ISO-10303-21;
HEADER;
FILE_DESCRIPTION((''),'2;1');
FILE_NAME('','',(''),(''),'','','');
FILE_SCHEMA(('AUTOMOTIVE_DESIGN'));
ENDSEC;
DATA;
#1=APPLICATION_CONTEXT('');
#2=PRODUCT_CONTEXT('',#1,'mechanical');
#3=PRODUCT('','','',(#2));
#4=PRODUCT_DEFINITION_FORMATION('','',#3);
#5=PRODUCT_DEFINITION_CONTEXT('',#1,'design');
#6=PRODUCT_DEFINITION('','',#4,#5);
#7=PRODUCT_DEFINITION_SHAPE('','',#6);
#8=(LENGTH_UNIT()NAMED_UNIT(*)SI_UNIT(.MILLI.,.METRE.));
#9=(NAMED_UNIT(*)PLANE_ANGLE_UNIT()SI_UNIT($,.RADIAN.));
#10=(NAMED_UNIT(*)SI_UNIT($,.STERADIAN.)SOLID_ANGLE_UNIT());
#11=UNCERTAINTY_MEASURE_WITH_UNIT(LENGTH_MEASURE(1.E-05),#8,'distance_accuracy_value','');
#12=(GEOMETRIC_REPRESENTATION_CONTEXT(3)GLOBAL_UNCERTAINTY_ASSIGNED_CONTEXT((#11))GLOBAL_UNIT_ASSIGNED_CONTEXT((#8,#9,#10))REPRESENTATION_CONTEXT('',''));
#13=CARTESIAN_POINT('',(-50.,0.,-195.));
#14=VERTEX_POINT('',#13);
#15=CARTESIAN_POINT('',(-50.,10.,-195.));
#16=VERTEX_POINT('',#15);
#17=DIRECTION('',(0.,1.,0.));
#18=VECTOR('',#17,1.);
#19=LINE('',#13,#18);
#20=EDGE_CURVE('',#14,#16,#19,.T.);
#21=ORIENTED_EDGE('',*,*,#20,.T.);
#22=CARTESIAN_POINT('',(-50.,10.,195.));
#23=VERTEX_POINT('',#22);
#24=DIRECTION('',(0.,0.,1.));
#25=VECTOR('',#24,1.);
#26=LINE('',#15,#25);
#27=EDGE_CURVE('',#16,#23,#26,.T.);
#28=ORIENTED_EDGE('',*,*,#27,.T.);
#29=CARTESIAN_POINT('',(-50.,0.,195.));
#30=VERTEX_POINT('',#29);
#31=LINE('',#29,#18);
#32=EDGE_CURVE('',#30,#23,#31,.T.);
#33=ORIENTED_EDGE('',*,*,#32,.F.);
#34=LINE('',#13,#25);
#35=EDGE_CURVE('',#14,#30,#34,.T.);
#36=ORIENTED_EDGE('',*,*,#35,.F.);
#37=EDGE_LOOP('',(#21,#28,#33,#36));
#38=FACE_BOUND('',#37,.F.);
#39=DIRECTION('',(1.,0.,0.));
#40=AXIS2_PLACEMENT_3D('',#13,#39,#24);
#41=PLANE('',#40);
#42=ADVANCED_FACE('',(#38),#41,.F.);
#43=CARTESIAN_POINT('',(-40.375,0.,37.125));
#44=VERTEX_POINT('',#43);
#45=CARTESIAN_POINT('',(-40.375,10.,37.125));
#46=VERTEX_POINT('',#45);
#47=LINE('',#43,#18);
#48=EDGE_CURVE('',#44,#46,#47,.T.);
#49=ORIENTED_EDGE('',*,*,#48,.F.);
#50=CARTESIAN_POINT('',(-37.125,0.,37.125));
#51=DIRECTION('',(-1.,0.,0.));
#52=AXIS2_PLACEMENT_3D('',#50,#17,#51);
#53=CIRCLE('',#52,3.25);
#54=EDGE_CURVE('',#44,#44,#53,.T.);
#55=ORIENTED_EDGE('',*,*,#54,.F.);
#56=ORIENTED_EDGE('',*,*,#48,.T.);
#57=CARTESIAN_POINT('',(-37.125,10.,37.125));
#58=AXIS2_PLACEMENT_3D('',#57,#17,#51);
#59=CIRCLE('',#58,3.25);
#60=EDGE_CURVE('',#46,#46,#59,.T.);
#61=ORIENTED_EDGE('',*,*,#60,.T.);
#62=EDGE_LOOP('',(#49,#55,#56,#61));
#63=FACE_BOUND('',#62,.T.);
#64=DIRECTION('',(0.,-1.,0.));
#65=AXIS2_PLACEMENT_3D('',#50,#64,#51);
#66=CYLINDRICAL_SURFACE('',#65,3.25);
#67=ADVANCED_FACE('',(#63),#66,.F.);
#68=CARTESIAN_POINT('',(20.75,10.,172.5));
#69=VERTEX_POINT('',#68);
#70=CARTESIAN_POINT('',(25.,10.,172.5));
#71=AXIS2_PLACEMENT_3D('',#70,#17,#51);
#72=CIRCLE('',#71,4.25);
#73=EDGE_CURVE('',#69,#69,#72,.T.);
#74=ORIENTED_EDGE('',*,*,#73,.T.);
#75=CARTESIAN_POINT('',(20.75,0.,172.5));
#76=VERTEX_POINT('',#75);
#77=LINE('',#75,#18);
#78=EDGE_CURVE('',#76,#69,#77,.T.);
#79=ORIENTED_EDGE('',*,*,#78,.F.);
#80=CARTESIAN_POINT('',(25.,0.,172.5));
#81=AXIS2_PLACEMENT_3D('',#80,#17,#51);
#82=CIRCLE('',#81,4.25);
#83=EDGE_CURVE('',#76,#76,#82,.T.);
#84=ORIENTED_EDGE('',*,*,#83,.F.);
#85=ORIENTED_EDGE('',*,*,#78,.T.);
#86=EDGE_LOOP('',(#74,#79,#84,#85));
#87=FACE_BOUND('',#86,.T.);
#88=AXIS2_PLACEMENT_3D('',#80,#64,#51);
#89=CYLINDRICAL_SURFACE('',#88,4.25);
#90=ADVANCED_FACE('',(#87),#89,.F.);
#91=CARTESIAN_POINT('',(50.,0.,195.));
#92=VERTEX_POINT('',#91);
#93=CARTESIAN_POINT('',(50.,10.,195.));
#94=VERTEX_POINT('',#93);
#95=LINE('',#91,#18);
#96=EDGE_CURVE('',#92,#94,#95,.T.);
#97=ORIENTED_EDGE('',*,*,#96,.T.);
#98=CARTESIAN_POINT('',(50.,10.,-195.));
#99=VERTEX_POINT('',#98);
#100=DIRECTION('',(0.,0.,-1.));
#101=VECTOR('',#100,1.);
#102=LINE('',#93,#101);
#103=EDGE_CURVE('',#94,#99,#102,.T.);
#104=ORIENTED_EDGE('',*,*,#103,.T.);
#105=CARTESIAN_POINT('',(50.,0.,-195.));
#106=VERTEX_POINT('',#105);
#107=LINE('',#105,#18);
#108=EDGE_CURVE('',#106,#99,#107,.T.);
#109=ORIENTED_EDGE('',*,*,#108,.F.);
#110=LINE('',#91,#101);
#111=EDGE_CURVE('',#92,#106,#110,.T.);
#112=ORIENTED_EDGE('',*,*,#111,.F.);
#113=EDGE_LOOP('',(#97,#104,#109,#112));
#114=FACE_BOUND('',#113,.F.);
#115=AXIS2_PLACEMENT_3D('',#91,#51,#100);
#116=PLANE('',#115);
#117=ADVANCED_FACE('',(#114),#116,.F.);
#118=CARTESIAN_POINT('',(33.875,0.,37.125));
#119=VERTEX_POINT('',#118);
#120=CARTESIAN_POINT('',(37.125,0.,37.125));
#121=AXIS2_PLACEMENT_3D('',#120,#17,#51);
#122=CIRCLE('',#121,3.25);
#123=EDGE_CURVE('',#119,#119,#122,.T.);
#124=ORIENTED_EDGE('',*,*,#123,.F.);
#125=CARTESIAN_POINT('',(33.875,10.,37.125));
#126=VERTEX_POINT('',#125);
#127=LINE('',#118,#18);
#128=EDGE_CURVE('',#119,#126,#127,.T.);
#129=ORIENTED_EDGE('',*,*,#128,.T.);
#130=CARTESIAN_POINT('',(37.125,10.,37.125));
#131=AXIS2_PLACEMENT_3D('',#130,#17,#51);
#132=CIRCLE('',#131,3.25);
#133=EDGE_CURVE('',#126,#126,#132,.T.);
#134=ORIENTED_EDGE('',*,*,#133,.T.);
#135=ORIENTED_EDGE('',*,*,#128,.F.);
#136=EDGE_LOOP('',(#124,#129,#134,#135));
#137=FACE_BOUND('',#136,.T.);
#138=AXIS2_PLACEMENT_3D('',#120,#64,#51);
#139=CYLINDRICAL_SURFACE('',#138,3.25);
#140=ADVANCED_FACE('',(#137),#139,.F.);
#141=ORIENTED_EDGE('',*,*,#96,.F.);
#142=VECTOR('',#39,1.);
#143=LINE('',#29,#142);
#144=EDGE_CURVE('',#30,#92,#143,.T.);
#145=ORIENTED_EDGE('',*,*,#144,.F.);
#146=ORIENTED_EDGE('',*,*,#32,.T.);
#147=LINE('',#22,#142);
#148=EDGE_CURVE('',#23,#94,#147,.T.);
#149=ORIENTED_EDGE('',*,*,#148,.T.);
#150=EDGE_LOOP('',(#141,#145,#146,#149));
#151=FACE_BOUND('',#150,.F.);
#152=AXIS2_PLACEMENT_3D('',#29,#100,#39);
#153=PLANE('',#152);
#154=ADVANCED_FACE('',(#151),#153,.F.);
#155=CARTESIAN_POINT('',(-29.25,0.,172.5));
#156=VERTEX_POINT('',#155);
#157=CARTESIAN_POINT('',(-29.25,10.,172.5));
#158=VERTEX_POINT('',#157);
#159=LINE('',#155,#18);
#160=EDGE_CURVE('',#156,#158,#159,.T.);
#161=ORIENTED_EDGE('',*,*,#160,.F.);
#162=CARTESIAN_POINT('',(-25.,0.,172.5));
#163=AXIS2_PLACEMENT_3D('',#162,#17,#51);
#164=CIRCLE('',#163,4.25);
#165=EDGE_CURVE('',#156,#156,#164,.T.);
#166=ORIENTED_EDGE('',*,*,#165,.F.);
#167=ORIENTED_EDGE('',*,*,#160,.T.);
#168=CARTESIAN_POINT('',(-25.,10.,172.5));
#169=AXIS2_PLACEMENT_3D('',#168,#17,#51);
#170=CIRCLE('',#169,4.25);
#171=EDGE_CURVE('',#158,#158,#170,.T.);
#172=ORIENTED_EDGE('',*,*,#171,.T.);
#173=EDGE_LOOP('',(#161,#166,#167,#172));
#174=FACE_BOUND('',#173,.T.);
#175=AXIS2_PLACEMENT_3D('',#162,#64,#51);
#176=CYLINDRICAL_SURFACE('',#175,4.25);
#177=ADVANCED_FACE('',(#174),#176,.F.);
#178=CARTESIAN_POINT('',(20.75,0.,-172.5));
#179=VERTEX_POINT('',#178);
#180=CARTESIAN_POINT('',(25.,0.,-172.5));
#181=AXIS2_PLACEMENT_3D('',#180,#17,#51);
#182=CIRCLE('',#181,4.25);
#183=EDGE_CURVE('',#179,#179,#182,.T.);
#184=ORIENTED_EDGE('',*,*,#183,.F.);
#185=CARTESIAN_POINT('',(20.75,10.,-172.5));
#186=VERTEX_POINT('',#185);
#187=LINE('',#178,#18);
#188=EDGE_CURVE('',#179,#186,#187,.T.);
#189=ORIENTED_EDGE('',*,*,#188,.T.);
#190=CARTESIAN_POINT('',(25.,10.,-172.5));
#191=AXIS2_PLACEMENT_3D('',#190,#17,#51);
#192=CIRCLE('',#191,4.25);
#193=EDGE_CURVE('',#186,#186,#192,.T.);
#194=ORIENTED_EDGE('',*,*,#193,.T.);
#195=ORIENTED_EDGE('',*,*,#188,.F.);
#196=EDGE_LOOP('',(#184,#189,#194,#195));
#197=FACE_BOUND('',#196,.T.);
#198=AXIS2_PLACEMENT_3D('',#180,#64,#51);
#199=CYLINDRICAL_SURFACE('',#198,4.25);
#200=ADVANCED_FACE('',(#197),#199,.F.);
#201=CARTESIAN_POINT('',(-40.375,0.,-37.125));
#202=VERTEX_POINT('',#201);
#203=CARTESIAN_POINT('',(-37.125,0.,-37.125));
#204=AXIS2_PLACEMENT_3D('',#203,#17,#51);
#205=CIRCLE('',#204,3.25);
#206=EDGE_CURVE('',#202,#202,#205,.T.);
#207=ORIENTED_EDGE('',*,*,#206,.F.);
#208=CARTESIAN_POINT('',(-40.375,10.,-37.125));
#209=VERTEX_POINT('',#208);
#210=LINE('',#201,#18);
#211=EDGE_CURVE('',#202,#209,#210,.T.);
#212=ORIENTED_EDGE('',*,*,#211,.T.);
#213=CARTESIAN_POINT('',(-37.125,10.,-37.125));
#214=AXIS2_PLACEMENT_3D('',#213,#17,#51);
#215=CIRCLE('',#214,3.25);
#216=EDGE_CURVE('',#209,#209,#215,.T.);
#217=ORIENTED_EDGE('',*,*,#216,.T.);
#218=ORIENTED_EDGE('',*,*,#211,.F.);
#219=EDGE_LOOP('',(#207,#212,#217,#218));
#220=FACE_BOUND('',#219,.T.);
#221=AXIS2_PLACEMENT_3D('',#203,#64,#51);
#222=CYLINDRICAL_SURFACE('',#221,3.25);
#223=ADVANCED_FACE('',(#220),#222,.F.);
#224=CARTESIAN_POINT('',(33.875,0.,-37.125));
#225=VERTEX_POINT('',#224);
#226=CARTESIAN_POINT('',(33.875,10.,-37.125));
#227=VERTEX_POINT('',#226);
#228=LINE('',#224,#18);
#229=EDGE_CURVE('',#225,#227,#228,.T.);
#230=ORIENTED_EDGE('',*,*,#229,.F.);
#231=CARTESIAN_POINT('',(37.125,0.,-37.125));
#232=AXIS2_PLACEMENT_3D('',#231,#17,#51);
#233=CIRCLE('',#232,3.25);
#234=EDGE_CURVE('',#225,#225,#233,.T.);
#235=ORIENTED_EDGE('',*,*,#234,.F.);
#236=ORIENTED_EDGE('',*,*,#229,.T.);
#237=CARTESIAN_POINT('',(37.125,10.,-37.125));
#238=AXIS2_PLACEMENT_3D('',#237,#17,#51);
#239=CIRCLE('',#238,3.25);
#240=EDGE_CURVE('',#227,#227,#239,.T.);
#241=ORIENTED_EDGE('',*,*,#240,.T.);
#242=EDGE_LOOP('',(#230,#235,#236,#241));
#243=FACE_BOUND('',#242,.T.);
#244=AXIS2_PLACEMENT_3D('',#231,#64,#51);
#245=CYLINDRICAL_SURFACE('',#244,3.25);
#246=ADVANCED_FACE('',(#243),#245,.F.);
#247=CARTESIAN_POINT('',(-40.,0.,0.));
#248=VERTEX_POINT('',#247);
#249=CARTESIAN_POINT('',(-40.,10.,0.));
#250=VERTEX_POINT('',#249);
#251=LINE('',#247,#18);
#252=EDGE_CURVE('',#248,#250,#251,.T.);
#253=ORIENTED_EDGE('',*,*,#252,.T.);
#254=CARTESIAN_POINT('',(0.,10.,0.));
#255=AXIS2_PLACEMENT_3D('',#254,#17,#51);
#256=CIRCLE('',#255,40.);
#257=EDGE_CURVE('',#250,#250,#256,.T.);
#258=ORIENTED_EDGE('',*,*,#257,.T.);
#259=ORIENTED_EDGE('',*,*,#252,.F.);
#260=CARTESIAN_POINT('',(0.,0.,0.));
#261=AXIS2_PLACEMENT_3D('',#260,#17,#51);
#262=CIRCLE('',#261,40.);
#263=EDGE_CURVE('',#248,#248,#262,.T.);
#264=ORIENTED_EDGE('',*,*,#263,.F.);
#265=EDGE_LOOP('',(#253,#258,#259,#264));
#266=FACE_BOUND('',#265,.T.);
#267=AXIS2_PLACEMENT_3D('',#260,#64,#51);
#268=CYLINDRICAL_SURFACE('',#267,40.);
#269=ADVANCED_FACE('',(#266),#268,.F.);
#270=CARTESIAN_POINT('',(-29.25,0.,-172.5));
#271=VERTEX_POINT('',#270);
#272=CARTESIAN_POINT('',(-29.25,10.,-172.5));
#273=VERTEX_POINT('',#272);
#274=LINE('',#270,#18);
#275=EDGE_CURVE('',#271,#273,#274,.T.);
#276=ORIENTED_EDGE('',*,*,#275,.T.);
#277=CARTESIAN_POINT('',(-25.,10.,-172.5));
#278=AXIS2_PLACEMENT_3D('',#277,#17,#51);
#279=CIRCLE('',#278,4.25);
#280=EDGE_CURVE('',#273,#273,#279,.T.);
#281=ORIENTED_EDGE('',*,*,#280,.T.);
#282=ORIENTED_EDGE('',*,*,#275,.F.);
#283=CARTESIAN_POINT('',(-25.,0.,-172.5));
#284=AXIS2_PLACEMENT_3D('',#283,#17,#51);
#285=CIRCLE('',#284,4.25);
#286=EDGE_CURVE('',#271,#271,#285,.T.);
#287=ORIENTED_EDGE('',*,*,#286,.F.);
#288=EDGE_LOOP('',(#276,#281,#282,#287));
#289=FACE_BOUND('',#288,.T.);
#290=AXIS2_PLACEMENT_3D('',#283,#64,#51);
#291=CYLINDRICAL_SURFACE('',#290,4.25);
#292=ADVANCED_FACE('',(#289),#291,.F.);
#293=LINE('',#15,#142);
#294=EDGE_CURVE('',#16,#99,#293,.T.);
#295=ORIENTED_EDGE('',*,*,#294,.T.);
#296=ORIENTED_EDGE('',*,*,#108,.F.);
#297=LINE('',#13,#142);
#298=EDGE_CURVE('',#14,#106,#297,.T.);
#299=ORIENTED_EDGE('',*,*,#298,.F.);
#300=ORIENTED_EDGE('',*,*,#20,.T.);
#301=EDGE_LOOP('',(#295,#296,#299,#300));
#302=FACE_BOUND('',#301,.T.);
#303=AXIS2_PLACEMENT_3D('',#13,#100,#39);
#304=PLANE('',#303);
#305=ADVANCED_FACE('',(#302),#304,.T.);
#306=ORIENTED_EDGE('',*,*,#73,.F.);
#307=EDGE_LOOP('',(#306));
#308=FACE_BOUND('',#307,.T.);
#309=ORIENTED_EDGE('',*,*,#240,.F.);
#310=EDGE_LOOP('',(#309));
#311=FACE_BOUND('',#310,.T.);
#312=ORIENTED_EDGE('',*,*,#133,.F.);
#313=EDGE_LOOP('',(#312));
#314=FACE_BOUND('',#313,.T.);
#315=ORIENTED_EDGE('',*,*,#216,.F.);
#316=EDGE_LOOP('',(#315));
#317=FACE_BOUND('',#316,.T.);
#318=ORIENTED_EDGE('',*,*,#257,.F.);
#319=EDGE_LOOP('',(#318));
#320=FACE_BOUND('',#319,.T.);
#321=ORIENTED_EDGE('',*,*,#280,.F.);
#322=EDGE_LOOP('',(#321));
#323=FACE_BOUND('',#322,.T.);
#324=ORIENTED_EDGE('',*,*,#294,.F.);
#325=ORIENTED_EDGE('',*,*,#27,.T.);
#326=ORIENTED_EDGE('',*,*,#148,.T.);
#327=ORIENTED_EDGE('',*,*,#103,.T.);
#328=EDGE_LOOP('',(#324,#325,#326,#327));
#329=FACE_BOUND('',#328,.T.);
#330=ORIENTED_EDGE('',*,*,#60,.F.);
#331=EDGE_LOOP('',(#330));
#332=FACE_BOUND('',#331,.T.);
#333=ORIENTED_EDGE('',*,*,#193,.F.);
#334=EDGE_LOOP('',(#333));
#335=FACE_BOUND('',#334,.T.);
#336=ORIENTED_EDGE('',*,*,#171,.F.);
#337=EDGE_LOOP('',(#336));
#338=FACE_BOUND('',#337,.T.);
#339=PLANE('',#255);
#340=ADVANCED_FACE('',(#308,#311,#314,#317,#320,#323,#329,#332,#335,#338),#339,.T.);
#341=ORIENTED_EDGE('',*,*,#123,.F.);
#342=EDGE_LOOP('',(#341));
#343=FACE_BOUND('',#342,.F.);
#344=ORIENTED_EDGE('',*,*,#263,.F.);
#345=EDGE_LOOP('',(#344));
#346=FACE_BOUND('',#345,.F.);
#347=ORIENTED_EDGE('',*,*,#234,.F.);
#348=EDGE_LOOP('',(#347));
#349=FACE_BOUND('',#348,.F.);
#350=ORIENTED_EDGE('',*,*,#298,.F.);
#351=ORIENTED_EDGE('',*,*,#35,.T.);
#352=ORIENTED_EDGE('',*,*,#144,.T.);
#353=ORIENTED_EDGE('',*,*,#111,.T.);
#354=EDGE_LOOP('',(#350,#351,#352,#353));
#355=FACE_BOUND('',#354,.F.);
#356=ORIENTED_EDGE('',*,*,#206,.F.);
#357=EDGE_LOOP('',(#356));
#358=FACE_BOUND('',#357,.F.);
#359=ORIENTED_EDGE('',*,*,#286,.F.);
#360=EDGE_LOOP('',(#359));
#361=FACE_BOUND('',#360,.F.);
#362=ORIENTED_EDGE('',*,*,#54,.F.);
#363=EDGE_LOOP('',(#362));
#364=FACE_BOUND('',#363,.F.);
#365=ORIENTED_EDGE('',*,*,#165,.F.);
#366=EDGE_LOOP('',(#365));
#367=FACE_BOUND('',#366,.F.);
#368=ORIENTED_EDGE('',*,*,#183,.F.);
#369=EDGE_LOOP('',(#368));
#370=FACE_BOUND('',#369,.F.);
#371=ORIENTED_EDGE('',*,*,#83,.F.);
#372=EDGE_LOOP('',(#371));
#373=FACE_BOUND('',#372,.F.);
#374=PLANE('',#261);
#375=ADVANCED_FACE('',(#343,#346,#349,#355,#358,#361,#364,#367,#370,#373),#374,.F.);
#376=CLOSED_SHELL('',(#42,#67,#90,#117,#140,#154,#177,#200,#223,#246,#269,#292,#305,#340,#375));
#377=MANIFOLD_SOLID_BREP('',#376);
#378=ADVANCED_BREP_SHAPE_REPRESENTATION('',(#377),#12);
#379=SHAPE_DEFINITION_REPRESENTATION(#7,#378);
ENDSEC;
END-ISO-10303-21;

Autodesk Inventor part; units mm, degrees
ref_plane "YZ Plane" through (0, 0, 0) normal (1, 0, 0) x (0, 1, 0)
ref_plane "XZ Plane" through (0, 0, 0) normal (0, 1, 0) x (-1, 0, 0)
ref_plane "XY Plane" through (0, 0, 0) normal (0, 0, 1) x (1, 0, 0)
sketch "Sketch1" plane through (0, 0, 0) normal (0, 1, 0) x (-1, 0, 0)
  line L0 (-50, 195) -> (-50, -195)
  line L1 (50, -195) -> (50, 195)
  circle A0 centre (0, 0) radius 40
  line L2 (70, 37.125) -> (-67, 37.125) construction
  line L3 (70, -37.125) -> (-81, -37.125) construction
  circle A1 centre (37.125, 37.125) radius 3.25
  circle A2 centre (37.125, -37.125) radius 3.25
  circle A3 centre (-37.125, -37.125) radius 3.25
  circle A4 centre (-37.125, 37.125) radius 3.25
  line L4 (50, 195) -> (-50, 195)
  line L5 (50, -195) -> (-50, -195)
  line L6 (97, 172.5) -> (-97, 172.5) construction
  line L7 (88, -172.5) -> (-85, -172.5) construction
  line L8 (-25, 119) -> (-25, -106) construction
  line L9 (25, -106) -> (25, 119) construction
  circle A5 centre (25, 172.5) radius 4.25
  circle A6 centre (-25, 172.5) radius 4.25
  circle A7 centre (-25, -172.5) radius 4.25
  circle A8 centre (25, -172.5) radius 4.25
  dimension "d0" = 80
  dimension "d5" = 74.25
  dimension "d6" = 37.125
  dimension "d7" = 6.5
  dimension "d12" = 74.25
  dimension "d14" = 37.125
  dimension "d15" = 37.125
  dimension "d16" = 37.125
  dimension "d24" = 50
  dimension "d25" = 25
  dimension "d26" = 8.5
  dimension "d29" = 390
  dimension "d30" = 195
  dimension "d31" = 100
  dimension "d32" = 50
  dimension "d33" = 22.5
  dimension "d34" = 22.5
extrude "Extrusion2" add sketch "Sketch1" along normal blind 10
properties part number "1223_Motor Plate_V1" material "Wood (Birch)"
